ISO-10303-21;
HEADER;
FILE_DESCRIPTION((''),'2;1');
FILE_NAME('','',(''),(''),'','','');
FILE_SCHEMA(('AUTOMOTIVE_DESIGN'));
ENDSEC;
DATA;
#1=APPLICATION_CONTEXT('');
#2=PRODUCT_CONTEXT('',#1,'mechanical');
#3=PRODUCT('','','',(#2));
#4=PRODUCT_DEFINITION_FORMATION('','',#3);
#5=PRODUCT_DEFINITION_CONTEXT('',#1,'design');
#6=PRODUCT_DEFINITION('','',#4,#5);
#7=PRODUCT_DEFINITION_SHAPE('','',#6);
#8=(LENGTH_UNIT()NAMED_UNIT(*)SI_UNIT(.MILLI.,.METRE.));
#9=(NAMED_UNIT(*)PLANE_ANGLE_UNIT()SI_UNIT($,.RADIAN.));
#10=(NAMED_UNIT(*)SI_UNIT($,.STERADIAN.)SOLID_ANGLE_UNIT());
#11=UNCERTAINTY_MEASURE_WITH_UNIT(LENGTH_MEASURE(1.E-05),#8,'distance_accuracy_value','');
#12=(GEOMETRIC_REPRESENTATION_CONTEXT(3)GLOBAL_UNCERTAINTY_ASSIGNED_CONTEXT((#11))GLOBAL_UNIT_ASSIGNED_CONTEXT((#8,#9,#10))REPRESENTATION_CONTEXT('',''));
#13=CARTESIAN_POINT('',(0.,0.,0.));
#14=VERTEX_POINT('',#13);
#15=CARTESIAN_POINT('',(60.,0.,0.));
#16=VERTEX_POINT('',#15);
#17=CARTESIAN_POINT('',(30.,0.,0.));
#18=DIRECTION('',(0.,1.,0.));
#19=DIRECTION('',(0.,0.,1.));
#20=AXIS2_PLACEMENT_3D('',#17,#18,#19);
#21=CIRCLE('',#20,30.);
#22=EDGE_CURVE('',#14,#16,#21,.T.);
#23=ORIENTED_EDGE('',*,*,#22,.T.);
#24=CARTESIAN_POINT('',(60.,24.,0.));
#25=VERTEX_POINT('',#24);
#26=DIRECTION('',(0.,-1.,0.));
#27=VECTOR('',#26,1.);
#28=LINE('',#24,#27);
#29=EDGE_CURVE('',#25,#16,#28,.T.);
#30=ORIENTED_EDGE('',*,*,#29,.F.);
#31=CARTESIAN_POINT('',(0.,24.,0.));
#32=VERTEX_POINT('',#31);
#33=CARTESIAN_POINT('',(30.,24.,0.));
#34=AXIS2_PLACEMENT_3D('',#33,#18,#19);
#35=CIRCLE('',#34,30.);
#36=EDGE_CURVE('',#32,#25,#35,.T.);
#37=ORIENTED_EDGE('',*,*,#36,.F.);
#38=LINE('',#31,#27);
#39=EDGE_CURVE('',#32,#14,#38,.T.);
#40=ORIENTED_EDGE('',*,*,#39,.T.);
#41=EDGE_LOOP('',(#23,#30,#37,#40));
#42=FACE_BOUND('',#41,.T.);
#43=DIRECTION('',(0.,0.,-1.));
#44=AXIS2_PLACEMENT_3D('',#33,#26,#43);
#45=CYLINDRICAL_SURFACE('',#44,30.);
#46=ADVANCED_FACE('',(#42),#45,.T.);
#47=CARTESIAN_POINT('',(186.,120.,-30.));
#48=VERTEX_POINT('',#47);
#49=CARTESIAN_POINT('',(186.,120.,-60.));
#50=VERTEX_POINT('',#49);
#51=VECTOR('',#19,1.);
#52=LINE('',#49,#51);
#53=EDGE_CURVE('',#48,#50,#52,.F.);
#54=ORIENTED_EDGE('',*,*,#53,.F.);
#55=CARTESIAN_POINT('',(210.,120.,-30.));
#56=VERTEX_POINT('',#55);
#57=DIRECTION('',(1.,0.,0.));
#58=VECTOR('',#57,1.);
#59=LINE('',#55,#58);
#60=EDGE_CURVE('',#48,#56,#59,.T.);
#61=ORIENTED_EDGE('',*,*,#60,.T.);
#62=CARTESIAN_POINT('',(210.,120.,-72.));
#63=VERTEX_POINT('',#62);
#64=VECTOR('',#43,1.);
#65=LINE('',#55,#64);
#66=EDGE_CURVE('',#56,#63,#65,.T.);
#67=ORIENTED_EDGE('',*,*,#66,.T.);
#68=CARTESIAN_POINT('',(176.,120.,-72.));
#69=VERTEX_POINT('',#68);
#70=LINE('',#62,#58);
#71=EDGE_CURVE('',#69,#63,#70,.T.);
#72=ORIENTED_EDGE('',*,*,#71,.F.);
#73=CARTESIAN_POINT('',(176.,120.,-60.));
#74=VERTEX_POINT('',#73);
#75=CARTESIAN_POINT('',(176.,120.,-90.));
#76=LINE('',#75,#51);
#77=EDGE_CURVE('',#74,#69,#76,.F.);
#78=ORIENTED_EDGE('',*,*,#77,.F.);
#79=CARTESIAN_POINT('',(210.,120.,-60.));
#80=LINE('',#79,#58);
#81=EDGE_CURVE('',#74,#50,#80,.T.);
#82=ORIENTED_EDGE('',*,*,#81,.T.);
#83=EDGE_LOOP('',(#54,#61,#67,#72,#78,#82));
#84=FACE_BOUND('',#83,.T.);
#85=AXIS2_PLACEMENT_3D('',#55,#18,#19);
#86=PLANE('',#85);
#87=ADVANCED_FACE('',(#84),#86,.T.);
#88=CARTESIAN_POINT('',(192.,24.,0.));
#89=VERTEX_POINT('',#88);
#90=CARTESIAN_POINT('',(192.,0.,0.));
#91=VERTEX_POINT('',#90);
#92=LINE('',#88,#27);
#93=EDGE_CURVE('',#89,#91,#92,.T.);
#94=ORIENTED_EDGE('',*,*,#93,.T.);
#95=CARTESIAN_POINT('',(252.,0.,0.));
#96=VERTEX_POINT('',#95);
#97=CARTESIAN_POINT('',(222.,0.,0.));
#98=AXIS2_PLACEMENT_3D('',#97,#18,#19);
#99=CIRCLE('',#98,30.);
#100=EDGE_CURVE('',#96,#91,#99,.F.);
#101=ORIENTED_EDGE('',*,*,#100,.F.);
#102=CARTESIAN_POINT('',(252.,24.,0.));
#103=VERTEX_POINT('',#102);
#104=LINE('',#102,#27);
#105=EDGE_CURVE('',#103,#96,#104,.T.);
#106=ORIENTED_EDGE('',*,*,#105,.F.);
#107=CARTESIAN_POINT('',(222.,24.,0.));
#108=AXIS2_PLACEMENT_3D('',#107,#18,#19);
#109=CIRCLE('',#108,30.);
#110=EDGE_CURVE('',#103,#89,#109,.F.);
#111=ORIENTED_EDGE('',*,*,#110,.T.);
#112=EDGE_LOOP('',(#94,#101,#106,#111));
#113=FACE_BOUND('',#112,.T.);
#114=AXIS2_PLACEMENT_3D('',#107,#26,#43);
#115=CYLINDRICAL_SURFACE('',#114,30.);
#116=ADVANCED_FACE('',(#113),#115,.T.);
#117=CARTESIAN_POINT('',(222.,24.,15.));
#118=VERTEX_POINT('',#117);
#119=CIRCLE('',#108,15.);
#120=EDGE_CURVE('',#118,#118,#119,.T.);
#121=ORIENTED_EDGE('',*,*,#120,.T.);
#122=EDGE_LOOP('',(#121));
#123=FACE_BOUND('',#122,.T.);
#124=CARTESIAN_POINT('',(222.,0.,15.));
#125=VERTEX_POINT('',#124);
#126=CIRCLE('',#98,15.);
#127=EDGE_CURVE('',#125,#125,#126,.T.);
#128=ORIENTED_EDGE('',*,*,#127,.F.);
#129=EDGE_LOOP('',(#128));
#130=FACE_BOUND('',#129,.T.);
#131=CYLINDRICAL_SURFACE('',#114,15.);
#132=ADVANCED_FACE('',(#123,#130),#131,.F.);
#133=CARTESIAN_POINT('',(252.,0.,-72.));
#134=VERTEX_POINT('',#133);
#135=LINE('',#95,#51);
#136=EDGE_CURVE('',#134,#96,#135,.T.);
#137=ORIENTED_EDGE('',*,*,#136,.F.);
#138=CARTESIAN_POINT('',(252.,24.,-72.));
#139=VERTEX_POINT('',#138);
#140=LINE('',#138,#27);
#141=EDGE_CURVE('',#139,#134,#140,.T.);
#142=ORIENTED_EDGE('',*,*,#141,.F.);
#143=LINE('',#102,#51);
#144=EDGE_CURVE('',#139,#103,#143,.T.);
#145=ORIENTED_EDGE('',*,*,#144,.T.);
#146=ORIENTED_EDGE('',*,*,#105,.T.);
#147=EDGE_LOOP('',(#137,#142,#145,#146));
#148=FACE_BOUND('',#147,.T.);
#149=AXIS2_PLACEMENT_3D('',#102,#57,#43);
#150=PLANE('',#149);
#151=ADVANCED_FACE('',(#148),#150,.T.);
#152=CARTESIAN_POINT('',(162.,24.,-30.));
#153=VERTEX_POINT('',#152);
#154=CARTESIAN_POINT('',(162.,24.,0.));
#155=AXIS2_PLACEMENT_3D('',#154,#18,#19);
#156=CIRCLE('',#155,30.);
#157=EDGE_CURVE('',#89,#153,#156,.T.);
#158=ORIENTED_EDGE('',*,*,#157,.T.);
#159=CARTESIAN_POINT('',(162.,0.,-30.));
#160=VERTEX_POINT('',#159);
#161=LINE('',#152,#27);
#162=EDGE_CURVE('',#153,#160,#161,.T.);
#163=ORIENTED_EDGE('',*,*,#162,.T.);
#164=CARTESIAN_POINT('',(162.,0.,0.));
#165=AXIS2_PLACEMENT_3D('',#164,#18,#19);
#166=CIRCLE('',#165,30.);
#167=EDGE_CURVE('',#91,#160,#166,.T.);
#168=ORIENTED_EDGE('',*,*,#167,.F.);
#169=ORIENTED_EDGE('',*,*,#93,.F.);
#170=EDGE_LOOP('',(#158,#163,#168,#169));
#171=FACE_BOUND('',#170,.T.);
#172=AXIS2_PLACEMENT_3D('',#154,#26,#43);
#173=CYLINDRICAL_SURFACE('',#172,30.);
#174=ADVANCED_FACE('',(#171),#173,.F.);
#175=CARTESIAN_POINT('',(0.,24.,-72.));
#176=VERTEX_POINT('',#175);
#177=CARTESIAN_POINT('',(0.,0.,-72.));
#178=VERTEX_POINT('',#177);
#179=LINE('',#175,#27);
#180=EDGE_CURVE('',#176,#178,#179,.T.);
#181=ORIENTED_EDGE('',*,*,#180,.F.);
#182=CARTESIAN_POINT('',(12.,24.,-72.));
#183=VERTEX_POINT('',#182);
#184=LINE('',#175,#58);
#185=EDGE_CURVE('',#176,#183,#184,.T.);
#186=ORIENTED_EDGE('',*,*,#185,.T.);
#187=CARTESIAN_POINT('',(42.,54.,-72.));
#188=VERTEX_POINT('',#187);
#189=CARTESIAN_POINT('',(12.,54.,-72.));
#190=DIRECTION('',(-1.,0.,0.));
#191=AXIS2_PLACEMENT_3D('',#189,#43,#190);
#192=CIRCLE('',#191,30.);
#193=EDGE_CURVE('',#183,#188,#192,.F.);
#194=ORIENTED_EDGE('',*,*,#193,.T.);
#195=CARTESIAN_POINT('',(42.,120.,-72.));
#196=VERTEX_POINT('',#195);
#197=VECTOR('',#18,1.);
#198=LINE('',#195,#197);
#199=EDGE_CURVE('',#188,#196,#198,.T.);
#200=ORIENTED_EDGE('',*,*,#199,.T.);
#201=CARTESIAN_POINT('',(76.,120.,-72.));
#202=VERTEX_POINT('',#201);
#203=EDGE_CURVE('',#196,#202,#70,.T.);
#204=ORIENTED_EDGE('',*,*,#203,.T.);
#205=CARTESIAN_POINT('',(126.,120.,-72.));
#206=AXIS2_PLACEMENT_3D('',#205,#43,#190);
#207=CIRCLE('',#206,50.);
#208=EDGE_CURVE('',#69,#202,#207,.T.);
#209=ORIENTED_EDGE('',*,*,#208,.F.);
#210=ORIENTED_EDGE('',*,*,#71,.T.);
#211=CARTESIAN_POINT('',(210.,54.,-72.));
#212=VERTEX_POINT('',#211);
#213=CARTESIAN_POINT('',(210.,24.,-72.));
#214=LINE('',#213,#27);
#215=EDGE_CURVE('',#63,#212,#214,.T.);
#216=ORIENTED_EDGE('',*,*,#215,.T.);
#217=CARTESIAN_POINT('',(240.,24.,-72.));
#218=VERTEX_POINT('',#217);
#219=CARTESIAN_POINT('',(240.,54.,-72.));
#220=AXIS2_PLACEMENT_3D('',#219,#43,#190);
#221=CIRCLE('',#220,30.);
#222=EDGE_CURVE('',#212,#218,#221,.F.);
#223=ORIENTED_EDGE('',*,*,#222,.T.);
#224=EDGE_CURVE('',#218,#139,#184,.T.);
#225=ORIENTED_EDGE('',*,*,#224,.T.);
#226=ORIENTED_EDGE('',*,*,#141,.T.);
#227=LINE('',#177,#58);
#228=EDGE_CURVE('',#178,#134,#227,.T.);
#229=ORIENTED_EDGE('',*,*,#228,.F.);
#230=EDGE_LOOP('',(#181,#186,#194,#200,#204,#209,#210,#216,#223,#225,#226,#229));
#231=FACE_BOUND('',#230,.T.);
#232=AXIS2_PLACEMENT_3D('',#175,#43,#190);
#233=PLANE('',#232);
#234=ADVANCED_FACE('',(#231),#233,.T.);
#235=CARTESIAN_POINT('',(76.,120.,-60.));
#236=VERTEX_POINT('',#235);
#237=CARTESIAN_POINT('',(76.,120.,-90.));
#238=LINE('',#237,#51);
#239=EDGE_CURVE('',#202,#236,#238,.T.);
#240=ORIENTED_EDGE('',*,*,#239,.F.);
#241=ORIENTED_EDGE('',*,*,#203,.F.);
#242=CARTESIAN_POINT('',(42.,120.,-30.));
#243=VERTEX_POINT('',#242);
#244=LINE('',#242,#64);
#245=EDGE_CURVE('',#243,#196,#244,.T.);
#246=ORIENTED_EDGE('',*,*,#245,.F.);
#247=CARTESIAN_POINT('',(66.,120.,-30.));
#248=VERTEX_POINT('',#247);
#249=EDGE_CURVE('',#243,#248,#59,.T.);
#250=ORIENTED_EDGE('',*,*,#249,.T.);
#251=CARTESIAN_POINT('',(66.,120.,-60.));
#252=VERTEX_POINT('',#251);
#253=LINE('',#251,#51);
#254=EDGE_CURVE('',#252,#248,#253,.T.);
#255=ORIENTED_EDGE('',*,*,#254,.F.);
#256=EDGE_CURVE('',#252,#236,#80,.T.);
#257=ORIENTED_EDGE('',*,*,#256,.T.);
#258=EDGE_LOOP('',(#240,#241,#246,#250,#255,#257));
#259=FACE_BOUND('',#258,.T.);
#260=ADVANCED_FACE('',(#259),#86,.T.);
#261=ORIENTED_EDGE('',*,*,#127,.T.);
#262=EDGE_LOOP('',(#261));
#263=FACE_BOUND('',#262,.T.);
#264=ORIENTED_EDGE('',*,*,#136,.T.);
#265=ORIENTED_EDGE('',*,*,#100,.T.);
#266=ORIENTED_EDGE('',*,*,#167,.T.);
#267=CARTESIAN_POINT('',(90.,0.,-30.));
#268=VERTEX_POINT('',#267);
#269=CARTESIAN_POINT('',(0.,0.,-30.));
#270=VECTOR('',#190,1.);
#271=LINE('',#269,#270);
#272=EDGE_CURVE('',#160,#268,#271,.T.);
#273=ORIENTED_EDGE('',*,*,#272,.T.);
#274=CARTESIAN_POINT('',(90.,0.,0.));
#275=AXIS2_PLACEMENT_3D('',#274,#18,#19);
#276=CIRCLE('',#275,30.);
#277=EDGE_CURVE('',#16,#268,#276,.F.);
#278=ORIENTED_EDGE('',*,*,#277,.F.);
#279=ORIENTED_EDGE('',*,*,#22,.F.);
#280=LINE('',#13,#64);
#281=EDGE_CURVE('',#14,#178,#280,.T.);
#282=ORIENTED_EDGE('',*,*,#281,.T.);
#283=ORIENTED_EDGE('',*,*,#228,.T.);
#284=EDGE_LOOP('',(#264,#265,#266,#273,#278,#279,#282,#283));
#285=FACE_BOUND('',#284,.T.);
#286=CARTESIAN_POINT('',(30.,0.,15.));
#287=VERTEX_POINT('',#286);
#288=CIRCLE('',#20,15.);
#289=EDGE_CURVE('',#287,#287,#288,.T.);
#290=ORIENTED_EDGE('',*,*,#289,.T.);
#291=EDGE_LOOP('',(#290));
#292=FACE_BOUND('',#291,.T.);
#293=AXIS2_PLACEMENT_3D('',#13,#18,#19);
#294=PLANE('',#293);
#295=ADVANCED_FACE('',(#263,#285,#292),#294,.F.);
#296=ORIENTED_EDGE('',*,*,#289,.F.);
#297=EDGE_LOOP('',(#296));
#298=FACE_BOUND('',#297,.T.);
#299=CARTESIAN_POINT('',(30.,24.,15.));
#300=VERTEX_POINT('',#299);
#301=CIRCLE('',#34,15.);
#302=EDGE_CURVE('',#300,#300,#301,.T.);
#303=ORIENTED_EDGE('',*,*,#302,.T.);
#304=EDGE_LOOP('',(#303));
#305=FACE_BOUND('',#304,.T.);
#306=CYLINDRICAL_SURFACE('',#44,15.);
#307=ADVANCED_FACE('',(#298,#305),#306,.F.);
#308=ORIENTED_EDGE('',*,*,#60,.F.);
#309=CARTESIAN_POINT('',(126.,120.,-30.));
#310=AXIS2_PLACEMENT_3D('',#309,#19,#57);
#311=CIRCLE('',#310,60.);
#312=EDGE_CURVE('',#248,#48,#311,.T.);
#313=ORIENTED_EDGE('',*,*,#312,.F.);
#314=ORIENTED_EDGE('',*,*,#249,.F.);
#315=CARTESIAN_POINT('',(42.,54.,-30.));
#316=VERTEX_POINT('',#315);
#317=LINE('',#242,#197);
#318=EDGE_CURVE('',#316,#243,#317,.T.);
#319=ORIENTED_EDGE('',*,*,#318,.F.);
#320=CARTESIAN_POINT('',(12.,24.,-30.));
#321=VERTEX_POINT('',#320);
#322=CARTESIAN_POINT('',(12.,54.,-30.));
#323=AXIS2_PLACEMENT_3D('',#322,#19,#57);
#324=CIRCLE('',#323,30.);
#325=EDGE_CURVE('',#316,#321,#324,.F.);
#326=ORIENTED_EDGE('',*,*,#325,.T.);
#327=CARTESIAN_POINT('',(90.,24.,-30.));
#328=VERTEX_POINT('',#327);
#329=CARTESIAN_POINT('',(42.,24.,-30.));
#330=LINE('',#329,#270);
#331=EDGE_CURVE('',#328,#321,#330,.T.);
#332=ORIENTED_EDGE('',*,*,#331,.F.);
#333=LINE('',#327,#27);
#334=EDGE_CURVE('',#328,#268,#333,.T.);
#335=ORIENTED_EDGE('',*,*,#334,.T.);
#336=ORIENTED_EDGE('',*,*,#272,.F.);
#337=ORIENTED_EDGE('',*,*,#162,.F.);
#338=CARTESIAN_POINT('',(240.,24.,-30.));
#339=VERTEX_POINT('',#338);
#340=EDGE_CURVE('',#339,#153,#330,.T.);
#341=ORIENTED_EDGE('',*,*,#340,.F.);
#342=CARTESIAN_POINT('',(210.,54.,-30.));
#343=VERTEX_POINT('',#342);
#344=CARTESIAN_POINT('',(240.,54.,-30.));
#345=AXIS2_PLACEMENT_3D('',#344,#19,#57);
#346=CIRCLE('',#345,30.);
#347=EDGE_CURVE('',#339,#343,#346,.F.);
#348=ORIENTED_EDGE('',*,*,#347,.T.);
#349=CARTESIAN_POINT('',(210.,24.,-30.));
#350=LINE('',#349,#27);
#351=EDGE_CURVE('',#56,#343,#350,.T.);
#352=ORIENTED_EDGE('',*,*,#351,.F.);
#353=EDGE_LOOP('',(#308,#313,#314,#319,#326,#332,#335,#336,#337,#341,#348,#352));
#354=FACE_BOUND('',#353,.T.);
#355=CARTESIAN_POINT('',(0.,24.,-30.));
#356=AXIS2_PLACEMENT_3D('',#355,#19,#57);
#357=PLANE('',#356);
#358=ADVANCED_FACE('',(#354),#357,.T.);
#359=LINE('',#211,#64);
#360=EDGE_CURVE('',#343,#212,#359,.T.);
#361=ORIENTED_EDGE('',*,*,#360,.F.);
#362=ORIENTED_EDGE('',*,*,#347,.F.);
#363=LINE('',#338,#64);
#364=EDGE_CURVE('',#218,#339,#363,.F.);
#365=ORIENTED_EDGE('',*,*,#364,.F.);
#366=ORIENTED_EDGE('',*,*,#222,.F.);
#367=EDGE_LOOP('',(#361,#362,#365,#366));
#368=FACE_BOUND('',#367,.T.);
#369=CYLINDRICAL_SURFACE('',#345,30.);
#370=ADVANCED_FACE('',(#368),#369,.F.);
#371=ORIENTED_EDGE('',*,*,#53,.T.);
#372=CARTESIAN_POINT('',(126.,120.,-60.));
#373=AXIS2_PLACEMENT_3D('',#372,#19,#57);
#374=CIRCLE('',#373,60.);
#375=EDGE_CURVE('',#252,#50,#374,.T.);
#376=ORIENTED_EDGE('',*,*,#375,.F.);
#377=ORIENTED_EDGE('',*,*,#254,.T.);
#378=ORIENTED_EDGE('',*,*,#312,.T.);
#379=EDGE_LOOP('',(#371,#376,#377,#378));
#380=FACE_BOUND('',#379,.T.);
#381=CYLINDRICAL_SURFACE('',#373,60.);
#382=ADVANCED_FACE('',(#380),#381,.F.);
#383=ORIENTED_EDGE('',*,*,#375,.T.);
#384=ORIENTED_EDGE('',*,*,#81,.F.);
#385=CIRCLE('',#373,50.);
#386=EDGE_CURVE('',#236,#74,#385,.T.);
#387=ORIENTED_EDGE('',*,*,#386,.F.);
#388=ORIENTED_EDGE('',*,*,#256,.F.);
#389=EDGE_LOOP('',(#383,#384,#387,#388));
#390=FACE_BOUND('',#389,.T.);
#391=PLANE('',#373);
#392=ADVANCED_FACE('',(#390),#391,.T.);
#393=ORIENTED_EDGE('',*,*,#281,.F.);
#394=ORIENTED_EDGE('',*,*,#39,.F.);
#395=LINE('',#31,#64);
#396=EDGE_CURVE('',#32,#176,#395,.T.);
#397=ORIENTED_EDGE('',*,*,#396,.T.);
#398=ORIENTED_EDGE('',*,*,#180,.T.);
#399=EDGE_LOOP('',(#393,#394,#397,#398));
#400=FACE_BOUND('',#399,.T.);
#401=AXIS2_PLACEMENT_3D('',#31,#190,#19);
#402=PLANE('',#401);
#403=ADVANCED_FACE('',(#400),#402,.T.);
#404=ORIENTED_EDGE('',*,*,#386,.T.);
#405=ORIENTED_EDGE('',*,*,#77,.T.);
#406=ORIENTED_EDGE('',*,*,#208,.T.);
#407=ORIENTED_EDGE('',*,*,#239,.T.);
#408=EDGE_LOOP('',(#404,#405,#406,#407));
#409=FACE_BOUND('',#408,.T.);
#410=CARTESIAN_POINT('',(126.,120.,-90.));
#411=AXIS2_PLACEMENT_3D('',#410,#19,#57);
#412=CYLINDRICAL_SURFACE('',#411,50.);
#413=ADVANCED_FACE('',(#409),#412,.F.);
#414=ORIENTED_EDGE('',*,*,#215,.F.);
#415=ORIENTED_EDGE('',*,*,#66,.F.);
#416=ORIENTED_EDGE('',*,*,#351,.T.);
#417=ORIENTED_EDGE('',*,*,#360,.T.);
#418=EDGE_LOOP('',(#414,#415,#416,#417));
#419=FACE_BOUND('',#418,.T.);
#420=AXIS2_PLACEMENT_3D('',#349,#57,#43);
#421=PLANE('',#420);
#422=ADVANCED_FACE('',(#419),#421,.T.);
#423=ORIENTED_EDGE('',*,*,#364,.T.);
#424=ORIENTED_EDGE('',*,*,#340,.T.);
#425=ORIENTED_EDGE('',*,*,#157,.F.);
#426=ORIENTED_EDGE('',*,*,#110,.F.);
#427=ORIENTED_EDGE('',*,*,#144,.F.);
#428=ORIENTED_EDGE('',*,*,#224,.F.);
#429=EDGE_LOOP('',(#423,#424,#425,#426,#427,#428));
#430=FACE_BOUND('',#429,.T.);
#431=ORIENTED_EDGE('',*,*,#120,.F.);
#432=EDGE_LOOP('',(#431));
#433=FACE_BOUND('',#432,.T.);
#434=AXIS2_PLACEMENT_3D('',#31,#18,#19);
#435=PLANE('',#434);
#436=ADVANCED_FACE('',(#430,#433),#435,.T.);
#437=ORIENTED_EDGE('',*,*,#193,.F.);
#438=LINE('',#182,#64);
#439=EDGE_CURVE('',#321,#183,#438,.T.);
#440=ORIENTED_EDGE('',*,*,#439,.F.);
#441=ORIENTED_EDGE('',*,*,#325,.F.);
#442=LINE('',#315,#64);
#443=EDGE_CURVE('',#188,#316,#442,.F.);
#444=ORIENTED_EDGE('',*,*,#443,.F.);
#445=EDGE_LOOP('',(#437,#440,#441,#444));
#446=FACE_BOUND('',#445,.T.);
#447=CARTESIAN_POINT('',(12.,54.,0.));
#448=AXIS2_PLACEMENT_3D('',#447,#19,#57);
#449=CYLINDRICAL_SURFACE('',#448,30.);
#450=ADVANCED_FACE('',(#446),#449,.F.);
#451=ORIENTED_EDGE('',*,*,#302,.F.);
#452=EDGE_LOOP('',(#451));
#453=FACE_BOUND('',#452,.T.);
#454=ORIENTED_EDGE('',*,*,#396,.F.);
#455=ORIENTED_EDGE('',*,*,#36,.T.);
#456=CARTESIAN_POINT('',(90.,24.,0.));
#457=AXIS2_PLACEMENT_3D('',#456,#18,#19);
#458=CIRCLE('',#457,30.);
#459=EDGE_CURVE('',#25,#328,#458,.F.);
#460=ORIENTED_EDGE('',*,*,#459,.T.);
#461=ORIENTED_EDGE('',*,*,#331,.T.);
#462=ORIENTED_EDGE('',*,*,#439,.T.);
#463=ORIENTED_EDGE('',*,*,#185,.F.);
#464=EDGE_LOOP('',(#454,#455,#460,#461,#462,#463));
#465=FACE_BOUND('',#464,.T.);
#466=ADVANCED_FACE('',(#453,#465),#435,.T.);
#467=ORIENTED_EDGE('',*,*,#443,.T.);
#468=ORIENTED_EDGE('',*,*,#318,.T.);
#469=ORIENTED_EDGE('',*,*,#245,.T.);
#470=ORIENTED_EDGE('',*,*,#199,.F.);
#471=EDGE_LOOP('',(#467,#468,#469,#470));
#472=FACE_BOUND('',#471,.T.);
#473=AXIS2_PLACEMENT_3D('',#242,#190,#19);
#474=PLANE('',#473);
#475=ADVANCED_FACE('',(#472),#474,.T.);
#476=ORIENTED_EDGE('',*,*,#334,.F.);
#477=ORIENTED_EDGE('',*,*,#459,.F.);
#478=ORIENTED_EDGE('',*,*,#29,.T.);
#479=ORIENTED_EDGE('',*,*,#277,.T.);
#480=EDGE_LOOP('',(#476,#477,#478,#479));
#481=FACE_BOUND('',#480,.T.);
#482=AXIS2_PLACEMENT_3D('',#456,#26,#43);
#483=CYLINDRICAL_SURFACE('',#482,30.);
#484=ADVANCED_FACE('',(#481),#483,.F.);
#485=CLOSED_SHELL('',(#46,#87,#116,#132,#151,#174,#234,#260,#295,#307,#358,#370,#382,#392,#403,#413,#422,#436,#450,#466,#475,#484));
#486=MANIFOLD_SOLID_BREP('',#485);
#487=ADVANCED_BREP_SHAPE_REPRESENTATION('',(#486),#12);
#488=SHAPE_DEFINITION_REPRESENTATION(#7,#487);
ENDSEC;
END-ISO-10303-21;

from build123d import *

# Parameters (mm, degrees)
SKETCH_1_R          = 15
EXTRUDE_1_DEPTH     = 24
SKETCH_3_W          = 168
SKETCH_3_H          = 96
EXTRUDE_2_DEPTH     = 42
SKETCH_4_R          = 60
CUT_EXTRUDE_1_DEPTH = 30
SKETCH_5_R          = 50
CUT_EXTRUDE_2_DEPTH = 30
FILLET_1_R          = 30


with BuildPart() as part:
    # 草圖1 → 填料-伸長1 (new body)
    # profile 1 of 2: a face of its own
    with BuildSketch(Plane(origin=(0, 0, 0), x_dir=(1, 0, 0), z_dir=(0, 1, 0))):
        with BuildLine():
            Line((252, 72), (126, 72))
            Line((126, 72), (126, 30))
            Line((126, 30), (162, 30))
            ThreePointArc((162, 30), (183.213203436, 21.213203436), (192, 0))
            ThreePointArc((192, 0), (222, -30), (252, 0))
            Line((252, 0), (252, 72))
        make_face()
        with Locations(Location((222, 0, 0), (0, 0, 270))):
            Circle(SKETCH_1_R, mode=Mode.SUBTRACT)
    # profile 2 of 2: a face of its own
    with BuildSketch(Plane(origin=(0, 0, 0), x_dir=(1, 0, 0), z_dir=(0, 1, 0))):
        with BuildLine():
            Line((0, 72), (0, 0))
            ThreePointArc((0, 0), (30, -30), (60, 0))
            ThreePointArc((60, 0), (68.786796564, 21.213203436), (90, 30))
            Line((90, 30), (126, 30))
            Line((126, 30), (126, 72))
            Line((126, 72), (0, 72))
        make_face()
        with Locations(Location((30, 0, 0), (0, 0, 270))):
            Circle(SKETCH_1_R, mode=Mode.SUBTRACT)
    extrude(amount=EXTRUDE_1_DEPTH)

    # 草圖3 → 填料-伸長2 (add)
    with BuildSketch(Plane(origin=(0, 0, -72), x_dir=(-1, 0, 0), z_dir=(0, 0, -1))):
        with Locations((-126, 72)):
            Rectangle(SKETCH_3_W, SKETCH_3_H)
    extrude(amount=-EXTRUDE_2_DEPTH)

    # 草圖4 → 除料-伸長1 (cut)
    with BuildSketch(Plane.XY.offset(-30)):
        with Locations((126, 120)):
            Circle(SKETCH_4_R)
    extrude(amount=-CUT_EXTRUDE_1_DEPTH, mode=Mode.SUBTRACT)

    # 草圖5 → 除料-伸長2 (cut)
    with BuildSketch(Plane.XY.offset(-60)):
        with Locations((126, 120)):
            Circle(SKETCH_5_R)
    extrude(amount=-CUT_EXTRUDE_2_DEPTH, mode=Mode.SUBTRACT)

    # 圓角1
    fillet_1_edges = [part.edges().sort_by_distance(p)[0] for p in [
        (42, 24, -51),
        (210, 24, -51),
    ]]
    fillet(fillet_1_edges, radius=FILLET_1_R)


solid = part.part
